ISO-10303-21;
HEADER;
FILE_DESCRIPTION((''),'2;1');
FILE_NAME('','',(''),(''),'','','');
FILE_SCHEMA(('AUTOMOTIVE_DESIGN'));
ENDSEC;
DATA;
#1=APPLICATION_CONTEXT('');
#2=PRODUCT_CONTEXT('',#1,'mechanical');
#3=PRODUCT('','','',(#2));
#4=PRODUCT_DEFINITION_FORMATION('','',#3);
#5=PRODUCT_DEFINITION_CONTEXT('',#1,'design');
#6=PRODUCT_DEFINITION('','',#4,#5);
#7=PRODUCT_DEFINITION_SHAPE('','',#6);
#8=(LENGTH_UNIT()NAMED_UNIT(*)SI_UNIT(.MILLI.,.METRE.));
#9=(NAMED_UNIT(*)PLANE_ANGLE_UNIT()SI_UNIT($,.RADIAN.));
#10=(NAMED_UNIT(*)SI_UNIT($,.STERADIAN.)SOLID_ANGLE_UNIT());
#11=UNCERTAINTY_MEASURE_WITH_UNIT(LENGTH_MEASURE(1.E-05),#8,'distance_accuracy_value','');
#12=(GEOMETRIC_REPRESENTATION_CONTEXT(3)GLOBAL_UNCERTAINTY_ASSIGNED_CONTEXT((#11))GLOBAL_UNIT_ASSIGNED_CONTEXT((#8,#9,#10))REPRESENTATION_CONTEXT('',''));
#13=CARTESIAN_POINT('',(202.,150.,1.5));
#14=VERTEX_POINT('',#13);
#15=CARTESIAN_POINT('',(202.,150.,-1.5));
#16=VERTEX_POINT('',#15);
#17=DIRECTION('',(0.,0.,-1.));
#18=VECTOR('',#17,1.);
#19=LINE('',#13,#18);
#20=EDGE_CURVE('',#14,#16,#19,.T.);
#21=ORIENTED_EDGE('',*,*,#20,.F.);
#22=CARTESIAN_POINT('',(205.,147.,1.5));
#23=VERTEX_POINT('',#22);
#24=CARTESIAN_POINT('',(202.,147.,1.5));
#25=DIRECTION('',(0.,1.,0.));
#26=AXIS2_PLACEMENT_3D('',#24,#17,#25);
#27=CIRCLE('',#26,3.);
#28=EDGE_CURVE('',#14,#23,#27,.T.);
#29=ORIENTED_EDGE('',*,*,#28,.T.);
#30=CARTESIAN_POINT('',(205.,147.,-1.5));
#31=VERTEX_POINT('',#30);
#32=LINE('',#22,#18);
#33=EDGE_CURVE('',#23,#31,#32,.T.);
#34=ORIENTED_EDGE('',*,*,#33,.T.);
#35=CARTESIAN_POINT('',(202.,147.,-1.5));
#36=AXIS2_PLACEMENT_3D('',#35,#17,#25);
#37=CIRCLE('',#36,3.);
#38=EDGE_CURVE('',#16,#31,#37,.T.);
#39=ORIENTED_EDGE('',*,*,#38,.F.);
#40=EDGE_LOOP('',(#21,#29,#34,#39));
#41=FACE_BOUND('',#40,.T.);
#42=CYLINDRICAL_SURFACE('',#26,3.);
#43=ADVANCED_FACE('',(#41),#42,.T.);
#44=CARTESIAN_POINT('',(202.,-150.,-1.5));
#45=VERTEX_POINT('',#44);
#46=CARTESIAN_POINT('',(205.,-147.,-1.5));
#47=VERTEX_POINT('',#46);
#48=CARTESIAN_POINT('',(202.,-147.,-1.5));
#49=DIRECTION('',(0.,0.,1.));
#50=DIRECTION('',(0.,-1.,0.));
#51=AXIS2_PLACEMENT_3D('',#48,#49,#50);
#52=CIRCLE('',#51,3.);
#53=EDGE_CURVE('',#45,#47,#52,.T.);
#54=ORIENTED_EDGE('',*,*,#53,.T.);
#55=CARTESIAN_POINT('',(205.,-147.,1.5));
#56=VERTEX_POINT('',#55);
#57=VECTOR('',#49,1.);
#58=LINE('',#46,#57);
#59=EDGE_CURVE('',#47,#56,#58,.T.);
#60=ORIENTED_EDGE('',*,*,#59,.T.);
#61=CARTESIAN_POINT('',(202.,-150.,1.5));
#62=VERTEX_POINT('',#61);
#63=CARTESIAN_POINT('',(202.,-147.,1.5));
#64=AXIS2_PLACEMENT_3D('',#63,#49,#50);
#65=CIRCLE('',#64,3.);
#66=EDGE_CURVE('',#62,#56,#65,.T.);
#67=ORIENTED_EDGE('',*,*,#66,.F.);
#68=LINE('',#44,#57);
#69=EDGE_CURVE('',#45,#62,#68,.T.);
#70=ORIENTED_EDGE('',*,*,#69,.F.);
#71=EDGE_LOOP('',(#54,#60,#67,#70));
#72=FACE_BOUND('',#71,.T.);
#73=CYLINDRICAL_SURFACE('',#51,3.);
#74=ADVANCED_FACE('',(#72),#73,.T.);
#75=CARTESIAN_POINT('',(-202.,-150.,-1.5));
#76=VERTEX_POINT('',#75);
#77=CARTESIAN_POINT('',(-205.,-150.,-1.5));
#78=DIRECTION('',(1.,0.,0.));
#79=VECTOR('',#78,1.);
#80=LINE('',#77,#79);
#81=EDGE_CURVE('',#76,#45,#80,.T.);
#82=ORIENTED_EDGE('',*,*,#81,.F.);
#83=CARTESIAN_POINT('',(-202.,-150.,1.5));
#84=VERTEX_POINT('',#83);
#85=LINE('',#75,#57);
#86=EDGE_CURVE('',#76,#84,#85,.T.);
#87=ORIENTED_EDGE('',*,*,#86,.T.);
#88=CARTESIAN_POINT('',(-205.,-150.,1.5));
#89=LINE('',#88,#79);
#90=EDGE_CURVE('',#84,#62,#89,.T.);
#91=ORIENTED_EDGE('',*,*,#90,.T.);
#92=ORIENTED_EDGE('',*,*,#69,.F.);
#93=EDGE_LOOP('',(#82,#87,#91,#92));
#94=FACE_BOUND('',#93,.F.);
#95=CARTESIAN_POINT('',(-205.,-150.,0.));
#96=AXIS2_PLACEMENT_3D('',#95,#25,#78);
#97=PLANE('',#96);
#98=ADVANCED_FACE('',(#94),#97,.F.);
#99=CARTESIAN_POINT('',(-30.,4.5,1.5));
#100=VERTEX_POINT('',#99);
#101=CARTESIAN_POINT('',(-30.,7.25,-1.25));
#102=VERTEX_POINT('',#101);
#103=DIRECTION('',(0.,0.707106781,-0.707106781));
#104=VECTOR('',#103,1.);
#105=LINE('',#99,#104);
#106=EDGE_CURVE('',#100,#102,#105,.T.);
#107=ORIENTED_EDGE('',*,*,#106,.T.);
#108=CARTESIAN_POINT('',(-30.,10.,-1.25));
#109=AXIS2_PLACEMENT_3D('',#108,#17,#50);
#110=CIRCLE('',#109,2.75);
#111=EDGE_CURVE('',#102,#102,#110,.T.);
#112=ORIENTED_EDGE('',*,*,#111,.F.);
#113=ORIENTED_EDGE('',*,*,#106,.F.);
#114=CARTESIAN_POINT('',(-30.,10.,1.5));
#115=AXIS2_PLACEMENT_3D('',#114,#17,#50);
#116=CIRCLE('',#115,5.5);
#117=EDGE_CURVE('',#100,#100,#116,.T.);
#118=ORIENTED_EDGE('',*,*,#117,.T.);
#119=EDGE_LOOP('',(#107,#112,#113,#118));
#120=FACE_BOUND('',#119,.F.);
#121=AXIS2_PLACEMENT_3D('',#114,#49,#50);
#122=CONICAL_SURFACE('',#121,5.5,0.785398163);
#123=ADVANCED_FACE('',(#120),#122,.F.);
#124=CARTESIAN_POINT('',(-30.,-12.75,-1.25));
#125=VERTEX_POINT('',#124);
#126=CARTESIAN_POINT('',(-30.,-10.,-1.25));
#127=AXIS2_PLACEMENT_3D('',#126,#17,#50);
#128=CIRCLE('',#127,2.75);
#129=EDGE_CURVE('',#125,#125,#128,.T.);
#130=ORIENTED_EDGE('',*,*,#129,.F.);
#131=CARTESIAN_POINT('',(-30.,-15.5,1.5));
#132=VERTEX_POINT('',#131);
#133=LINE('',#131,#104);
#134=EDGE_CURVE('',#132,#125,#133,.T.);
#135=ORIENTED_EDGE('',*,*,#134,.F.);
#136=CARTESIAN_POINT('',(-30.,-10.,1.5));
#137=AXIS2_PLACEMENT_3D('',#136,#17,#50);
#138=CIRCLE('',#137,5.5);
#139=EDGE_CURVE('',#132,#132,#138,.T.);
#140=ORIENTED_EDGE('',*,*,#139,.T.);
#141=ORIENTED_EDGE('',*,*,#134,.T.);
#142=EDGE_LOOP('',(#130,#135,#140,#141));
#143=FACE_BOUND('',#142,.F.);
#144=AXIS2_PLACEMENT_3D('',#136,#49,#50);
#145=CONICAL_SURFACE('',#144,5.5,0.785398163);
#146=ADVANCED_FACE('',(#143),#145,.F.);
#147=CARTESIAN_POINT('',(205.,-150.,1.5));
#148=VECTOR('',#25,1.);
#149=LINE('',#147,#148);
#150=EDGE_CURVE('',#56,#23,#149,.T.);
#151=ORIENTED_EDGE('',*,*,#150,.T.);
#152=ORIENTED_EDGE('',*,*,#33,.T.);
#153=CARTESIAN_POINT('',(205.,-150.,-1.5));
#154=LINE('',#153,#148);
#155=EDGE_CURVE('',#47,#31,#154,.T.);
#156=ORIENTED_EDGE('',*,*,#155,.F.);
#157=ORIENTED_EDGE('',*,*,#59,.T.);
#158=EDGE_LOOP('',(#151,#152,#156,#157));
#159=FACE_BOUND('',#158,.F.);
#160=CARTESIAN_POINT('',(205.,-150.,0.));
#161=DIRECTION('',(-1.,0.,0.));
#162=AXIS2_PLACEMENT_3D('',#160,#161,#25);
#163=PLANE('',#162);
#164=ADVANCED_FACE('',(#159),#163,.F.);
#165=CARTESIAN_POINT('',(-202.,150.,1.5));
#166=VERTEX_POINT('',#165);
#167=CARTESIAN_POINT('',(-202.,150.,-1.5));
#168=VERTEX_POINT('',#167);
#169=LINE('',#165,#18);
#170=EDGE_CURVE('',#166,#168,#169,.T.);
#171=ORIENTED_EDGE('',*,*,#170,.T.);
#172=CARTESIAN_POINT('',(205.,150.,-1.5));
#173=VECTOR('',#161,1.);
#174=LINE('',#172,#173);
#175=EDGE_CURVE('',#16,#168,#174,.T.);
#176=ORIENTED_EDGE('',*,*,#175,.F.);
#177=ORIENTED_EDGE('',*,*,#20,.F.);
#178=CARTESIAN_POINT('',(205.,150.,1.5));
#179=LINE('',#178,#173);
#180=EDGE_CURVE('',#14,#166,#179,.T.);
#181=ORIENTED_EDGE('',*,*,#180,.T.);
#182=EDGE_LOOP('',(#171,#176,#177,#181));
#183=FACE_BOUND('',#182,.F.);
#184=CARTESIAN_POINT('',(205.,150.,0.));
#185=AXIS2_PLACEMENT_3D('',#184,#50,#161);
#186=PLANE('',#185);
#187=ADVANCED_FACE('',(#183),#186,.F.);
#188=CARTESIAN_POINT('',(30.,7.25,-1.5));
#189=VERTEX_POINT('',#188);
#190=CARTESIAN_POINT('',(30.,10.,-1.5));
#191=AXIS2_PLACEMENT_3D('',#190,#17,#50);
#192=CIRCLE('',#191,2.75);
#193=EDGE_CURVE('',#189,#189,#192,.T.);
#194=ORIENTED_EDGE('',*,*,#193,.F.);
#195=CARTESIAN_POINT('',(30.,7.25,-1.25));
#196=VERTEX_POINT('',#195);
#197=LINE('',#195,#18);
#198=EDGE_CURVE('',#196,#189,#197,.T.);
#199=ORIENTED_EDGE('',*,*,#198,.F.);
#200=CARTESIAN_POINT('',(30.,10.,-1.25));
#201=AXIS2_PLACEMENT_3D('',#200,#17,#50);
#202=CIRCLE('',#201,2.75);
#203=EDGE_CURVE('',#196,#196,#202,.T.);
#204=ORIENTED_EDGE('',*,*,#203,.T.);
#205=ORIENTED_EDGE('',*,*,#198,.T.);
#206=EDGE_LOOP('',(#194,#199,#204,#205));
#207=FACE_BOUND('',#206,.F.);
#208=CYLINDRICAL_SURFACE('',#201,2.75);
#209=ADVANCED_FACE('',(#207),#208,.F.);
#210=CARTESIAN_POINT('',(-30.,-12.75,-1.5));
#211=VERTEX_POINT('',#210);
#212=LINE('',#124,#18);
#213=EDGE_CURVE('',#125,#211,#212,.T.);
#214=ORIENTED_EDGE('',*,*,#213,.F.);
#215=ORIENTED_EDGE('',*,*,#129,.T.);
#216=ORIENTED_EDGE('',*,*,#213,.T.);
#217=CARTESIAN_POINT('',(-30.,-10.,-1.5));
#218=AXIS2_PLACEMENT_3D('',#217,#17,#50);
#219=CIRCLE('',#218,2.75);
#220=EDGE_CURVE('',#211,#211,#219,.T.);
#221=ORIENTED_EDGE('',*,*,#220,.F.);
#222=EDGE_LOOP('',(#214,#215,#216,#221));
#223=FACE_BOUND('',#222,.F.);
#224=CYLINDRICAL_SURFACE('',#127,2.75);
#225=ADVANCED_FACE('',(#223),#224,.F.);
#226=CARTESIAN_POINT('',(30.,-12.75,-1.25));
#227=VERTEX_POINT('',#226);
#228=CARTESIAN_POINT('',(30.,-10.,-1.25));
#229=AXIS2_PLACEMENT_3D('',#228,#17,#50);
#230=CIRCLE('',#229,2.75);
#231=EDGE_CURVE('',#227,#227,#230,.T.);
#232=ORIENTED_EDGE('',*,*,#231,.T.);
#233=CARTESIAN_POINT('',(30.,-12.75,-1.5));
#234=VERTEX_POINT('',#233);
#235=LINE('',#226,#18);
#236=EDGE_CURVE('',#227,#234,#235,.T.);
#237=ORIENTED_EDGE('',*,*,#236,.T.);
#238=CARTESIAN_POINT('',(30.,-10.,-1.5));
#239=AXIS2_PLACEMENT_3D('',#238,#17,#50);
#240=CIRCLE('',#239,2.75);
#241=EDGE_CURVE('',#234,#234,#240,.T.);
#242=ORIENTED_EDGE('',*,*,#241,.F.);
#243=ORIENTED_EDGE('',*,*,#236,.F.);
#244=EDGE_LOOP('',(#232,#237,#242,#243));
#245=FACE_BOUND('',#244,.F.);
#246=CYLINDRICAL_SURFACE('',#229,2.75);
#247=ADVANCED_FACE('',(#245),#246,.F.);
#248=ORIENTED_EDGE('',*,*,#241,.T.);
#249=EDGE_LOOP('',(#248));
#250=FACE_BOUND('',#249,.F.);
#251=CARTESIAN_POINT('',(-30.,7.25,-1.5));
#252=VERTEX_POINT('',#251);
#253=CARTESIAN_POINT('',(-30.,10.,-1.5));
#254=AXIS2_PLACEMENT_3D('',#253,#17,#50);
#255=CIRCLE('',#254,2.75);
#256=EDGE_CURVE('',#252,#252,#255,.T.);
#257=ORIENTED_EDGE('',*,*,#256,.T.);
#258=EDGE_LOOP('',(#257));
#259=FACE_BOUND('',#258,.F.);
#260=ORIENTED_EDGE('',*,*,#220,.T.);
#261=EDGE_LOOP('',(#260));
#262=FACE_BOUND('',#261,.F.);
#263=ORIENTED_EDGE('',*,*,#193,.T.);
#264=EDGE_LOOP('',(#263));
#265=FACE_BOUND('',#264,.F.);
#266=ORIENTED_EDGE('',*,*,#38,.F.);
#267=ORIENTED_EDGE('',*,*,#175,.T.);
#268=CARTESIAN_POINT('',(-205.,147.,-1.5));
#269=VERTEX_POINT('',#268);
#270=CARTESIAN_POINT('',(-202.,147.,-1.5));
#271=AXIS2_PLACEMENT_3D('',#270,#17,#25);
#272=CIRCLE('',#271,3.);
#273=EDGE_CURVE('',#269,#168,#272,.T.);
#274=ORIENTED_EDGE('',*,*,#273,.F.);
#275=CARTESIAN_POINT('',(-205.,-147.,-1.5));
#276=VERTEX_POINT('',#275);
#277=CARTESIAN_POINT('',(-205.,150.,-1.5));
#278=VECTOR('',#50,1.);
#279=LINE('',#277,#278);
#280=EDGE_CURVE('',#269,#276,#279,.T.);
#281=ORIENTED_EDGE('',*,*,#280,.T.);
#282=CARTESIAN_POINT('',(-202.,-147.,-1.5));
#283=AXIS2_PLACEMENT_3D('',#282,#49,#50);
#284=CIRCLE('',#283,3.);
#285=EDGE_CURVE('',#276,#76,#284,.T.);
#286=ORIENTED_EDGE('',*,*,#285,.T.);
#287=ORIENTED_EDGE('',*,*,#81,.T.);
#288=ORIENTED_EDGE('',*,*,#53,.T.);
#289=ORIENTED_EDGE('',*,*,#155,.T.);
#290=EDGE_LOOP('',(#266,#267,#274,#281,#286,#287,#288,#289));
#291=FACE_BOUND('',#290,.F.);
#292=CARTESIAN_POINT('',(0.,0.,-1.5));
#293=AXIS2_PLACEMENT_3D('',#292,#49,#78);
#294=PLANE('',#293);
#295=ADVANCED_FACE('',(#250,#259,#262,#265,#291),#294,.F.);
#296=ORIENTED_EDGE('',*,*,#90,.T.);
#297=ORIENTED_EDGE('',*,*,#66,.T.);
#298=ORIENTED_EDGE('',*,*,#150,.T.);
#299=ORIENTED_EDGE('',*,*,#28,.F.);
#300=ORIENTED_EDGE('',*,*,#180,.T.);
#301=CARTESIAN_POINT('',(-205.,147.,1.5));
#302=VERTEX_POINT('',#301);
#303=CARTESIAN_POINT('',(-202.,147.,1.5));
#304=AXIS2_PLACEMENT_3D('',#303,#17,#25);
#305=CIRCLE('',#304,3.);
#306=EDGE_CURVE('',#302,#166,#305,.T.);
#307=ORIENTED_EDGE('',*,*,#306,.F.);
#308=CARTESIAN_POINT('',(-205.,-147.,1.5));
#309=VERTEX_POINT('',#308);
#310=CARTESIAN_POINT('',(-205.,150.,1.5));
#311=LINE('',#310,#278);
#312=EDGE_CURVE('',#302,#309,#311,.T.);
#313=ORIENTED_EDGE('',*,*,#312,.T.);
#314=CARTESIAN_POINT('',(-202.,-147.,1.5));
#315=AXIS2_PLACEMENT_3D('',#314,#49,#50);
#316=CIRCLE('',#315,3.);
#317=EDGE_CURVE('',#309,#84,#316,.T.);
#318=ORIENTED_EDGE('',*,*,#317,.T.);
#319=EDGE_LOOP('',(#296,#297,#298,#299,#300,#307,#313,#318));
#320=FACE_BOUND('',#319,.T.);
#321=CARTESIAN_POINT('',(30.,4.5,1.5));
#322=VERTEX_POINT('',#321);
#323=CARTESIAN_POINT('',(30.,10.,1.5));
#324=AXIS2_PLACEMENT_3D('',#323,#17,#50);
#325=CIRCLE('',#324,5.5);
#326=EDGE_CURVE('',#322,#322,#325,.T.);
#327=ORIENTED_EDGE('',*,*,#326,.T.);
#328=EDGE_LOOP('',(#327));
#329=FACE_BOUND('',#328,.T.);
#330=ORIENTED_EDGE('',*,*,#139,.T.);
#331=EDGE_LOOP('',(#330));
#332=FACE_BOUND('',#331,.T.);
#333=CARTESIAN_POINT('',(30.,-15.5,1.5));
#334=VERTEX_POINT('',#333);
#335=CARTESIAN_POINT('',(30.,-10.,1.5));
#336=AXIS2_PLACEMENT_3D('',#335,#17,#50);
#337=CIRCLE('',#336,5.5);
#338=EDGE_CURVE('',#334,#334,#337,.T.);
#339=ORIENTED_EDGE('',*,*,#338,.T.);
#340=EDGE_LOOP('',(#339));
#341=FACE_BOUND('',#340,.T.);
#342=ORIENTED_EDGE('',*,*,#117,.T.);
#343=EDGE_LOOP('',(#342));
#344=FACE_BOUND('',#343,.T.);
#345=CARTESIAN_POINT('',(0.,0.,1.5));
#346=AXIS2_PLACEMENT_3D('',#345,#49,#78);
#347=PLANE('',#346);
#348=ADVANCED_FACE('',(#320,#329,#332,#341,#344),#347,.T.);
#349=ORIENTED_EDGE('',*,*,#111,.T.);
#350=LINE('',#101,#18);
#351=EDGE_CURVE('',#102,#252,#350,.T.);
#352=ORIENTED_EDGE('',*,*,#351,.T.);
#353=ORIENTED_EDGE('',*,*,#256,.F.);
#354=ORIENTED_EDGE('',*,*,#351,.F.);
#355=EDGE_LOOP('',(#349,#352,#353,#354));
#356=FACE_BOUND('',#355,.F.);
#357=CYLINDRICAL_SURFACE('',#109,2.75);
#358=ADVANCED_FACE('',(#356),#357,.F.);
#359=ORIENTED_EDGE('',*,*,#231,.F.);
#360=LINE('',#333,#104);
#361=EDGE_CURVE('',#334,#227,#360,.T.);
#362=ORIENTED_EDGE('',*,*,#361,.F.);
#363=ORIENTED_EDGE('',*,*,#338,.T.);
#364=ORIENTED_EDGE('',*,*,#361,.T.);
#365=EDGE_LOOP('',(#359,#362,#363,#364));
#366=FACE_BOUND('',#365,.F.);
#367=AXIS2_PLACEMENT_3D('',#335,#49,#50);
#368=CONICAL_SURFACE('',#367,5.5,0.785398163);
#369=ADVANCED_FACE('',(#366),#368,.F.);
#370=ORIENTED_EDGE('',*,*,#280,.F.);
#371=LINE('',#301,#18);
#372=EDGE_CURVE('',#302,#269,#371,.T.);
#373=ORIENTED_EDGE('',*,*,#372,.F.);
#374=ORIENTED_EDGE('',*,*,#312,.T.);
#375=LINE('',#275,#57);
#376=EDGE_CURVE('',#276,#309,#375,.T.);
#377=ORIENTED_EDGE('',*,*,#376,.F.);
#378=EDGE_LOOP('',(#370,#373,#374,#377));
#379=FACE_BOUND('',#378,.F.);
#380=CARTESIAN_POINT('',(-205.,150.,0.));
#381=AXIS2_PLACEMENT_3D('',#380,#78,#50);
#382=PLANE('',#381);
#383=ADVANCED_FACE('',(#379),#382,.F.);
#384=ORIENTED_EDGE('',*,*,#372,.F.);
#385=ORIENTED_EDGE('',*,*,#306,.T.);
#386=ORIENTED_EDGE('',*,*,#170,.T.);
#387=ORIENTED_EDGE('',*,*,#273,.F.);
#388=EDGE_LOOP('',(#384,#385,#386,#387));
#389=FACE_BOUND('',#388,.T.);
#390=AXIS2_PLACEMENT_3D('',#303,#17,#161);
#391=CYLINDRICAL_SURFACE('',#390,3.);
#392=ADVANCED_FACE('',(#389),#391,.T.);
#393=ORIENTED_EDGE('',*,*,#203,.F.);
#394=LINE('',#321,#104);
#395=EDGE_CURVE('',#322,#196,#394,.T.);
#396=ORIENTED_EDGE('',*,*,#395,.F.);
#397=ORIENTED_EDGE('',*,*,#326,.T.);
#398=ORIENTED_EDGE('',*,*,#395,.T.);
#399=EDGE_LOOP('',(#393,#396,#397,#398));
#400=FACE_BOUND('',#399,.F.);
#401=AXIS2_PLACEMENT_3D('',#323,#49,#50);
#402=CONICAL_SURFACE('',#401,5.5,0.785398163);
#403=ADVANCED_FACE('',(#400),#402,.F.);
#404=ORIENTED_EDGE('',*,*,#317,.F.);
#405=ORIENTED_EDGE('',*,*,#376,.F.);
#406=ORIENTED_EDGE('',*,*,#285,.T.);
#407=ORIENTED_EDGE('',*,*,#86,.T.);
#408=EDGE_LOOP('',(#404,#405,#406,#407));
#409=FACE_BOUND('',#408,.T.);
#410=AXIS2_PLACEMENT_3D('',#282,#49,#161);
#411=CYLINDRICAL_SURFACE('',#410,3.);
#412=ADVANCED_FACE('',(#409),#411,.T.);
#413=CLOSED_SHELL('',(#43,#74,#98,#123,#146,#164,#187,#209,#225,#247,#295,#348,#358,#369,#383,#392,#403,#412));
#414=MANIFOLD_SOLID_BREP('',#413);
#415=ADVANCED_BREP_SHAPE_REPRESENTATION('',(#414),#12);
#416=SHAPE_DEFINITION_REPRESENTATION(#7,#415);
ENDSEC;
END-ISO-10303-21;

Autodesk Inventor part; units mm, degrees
ref_plane "YZ Plane" through (0, 0, 0) normal (1, 0, 0) x (0, 1, 0)
ref_plane "XZ Plane" through (0, 0, 0) normal (0, 1, 0) x (-1, 0, 0)
ref_plane "XY Plane" through (0, 0, 0) normal (0, 0, 1) x (1, 0, 0)
sketch "Sketch1" plane through (0, 0, 0) normal (0, 0, 1) x (1, 0, 0)
  line L0 (-205, -150) -> (205, -150)
  line L1 (205, -150) -> (205, 150)
  line L2 (205, 150) -> (-205, 150)
  line L3 (-205, 150) -> (-205, -150)
  line L4 (-205, -150) -> (205, 150) construction
  line L5 (205, -150) -> (-205, 150) construction
  point P0 (0, 0)
  dimension "d0" = 410
  dimension "d1" = 300
extrude "Extrusion1" add sketch "Sketch1" along normal mid plane 3
sketch "Sketch5" plane through (0, 0, 1.5) normal (0, 0, 1) x (1, 0, 0)
  circle A0 centre (-30, 10) radius 2.1 projected
  circle A1 centre (-30, -10) radius 2.1 projected
  circle A2 centre (30, 10) radius 2.1 projected
  circle A3 centre (30, -10) radius 2.1 projected
  point P0 (0, 0)
hole "Hole2" at (-30, 10, 1.5) at (-30, -10, 1.5) at (30, 10, 1.5) at (30, -10, 1.5) direction (0, 0, -1) diameter 5.5 end through all countersink diameter 11 countersink angle 90 clearance for "Countersunk Flat Head Screw ISO 2009/7046" size "M5" standard "ISO"
fillet "Fillet2" radius 3 4 edges at (205, -150, 0) (205, 150, 0) (-205, 150, 0) (-205, -150, 0)
properties part number "PBLMK-041-1" material "Aluminum"
